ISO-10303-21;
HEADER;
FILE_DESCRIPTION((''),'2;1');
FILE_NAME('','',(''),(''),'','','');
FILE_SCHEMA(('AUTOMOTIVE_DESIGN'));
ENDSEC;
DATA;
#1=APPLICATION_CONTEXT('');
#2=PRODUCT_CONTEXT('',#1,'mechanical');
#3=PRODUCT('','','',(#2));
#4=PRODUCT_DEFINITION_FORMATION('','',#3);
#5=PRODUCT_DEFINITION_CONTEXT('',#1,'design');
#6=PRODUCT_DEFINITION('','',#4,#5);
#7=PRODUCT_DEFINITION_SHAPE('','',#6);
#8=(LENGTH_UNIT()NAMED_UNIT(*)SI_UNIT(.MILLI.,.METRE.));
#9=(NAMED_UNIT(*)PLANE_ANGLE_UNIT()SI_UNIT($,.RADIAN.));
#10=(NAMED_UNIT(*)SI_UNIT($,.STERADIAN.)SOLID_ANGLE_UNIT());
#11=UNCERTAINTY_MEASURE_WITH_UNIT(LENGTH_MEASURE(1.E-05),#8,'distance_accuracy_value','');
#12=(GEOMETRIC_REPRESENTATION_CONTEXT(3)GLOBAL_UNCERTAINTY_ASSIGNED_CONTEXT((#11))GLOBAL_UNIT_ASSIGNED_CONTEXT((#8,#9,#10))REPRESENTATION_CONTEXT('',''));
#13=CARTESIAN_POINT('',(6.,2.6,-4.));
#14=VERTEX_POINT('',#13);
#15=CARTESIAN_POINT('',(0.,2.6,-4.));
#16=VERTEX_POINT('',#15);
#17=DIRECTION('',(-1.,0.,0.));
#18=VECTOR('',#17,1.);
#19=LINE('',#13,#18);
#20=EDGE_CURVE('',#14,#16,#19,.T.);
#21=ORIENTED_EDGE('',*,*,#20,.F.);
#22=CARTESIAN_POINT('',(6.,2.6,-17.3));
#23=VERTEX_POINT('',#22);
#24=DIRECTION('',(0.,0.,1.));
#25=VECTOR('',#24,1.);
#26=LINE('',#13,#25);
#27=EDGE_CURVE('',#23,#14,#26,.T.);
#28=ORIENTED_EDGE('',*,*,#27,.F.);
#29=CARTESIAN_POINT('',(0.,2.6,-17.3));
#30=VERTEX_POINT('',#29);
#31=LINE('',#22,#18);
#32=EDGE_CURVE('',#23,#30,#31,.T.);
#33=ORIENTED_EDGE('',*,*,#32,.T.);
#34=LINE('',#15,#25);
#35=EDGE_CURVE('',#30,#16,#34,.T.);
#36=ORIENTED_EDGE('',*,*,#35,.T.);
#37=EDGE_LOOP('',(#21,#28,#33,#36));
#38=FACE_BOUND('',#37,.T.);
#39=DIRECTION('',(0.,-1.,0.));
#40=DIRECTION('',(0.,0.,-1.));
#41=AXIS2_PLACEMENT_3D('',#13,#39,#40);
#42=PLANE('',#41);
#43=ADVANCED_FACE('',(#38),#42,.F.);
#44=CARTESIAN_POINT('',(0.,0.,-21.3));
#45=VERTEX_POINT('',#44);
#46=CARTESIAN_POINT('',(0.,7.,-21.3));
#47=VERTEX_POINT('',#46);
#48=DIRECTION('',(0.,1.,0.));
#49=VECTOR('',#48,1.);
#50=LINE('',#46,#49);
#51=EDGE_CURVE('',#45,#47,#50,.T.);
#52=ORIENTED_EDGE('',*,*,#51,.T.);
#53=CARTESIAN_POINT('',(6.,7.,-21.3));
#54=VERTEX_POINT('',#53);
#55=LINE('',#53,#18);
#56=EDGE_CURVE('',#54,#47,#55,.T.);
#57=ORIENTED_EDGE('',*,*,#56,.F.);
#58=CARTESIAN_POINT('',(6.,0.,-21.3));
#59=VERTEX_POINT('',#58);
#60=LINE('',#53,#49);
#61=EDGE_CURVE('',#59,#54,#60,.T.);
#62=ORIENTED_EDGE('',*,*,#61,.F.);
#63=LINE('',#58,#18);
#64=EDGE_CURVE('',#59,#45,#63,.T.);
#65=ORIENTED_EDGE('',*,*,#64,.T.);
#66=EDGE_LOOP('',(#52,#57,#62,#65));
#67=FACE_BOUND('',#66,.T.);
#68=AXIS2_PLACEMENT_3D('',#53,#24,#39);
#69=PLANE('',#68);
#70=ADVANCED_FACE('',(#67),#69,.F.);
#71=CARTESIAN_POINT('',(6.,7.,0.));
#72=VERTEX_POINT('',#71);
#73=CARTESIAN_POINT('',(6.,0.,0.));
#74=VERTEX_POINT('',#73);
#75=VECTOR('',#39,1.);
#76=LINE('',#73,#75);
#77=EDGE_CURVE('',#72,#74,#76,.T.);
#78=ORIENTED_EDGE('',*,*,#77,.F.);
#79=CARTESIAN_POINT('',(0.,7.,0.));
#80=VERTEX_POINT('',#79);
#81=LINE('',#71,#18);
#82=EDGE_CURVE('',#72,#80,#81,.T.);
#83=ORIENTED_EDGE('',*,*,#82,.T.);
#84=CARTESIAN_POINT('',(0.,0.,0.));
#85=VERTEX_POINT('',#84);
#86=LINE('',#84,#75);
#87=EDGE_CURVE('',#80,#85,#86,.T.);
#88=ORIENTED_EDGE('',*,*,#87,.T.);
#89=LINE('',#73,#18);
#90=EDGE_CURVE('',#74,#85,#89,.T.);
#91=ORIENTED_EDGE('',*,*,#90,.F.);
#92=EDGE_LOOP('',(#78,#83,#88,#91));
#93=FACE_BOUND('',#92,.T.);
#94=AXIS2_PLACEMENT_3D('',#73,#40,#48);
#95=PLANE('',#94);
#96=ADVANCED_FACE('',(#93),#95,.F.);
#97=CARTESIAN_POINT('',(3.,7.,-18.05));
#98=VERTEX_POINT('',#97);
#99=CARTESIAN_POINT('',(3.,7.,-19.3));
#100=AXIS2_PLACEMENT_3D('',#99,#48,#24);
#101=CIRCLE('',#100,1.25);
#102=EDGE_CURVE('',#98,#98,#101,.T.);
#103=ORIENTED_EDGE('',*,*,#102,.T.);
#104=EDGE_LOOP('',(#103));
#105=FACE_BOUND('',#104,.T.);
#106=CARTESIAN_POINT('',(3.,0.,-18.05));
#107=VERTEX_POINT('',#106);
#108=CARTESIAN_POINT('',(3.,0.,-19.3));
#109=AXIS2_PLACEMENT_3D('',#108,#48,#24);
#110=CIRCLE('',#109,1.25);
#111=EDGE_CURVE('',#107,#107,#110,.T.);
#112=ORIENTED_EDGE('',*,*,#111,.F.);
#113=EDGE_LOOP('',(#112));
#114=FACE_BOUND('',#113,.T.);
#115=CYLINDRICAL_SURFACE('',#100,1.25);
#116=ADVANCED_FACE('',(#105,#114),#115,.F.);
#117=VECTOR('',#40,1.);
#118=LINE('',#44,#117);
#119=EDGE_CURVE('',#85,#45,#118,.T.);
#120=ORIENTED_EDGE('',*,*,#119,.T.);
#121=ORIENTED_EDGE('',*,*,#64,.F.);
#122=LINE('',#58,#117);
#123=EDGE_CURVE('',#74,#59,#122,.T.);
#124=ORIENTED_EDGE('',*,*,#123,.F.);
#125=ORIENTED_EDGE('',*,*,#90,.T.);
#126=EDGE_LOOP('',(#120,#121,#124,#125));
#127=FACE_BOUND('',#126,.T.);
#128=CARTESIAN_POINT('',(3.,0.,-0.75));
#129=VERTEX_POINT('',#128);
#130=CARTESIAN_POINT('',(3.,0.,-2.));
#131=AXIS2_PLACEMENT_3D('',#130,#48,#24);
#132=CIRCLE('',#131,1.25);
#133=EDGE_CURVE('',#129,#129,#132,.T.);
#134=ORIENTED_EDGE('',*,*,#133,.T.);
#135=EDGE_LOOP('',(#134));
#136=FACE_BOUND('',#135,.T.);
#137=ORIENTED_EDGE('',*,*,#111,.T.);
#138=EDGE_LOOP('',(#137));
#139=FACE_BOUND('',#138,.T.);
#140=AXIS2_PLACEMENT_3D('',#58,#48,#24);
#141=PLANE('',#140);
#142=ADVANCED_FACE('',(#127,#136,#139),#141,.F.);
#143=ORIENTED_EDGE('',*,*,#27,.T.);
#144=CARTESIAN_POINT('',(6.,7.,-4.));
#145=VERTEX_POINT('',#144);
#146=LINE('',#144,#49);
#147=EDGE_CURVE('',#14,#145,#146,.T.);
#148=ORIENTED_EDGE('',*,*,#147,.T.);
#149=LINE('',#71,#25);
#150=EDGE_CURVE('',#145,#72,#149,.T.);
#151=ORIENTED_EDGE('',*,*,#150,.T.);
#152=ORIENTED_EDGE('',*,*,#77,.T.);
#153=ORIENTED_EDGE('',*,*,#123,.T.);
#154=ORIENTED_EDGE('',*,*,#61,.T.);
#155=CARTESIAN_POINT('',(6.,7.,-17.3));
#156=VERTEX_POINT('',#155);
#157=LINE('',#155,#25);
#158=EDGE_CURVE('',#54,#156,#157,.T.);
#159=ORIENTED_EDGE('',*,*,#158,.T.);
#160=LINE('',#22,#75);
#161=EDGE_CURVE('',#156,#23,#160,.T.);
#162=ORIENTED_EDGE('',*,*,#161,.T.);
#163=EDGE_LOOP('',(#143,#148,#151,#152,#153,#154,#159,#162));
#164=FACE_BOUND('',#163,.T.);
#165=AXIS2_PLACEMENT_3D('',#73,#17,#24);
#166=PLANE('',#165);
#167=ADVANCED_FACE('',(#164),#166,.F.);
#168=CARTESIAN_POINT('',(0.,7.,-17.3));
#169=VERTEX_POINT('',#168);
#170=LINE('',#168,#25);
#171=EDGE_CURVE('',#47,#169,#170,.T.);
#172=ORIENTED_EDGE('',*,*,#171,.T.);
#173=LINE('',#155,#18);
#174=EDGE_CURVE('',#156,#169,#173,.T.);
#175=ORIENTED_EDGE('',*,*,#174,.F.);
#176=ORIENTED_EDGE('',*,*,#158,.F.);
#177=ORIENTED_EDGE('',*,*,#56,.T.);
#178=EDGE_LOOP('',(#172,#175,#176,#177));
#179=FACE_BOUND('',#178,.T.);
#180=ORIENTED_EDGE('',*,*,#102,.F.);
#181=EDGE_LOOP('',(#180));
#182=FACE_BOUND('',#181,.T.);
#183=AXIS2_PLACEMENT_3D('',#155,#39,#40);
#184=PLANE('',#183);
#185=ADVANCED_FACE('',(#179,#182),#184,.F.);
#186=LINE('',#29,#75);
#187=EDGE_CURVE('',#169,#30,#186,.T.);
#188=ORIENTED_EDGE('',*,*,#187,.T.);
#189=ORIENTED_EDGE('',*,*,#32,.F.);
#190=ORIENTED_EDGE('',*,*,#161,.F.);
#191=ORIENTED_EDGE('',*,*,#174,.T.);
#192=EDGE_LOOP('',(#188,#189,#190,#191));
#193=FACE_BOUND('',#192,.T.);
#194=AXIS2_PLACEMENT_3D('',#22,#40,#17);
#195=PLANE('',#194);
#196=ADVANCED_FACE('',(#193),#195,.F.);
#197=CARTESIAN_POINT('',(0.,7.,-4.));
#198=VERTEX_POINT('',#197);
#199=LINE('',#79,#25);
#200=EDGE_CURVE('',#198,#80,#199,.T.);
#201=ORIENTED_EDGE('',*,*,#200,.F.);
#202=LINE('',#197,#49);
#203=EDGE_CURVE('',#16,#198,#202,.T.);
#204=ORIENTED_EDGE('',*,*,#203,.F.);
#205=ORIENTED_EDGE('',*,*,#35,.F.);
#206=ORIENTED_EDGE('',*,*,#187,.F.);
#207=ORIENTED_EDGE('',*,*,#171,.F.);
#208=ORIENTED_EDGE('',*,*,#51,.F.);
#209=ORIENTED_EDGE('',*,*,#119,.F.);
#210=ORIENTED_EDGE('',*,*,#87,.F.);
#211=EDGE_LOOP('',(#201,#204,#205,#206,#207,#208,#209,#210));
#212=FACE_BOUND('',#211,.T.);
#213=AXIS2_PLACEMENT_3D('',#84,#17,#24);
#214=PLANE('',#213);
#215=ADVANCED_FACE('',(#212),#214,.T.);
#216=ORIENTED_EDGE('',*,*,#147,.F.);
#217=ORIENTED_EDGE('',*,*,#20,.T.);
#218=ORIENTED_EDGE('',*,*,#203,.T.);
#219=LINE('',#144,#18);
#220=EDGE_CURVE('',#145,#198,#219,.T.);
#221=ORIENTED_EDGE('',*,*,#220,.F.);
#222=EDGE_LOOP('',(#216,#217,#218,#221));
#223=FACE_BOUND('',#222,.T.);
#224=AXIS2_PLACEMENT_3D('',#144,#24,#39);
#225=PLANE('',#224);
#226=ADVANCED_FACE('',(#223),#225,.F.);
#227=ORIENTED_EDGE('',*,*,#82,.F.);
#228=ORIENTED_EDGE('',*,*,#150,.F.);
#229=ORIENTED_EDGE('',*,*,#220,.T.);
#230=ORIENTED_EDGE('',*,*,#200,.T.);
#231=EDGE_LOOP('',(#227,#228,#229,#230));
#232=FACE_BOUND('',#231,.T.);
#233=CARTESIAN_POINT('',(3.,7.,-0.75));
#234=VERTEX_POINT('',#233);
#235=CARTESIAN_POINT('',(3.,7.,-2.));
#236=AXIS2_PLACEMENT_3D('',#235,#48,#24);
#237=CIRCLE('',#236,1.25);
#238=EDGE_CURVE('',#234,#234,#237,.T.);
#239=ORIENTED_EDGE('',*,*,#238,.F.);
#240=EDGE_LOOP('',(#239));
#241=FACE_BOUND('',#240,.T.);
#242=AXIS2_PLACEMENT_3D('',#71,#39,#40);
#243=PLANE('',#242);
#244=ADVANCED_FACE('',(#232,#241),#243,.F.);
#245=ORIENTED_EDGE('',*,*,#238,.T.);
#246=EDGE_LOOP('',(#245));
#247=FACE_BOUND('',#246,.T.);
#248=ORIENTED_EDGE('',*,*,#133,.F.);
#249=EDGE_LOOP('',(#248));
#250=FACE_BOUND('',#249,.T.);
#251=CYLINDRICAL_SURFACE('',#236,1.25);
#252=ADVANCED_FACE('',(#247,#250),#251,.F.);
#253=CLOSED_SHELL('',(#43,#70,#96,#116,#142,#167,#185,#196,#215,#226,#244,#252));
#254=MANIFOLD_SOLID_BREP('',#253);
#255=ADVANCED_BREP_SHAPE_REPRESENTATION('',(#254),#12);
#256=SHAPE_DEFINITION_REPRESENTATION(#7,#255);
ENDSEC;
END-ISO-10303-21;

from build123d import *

# Parameters (mm, degrees)
EXTRUDE_1_DEPTH    = 6
HOLE_WIZARD_M3_1_D = 2.5


with BuildPart() as part:
    # 草图1 → 凸台-拉伸1 (new body)
    with BuildSketch(Plane(origin=(0, 0, 0), x_dir=(0, 0, -1), z_dir=(1, 0, 0))):
        Polygon((0, 0), (0, 7), (4, 7), (4, 2.6), (17.3, 2.6), (17.3, 7), (21.3, 7), (21.3, 0), align=None)
    extrude(amount=EXTRUDE_1_DEPTH)

    # M3 螺纹孔1 (through all)
    with Locations(Plane(origin=(3, 7, -2), x_dir=(0, 0, 1), z_dir=(0, 1, 0))):
        with Locations((0, 0), (-17.3, 0)):
            Hole(HOLE_WIZARD_M3_1_D / 2)


solid = part.part
